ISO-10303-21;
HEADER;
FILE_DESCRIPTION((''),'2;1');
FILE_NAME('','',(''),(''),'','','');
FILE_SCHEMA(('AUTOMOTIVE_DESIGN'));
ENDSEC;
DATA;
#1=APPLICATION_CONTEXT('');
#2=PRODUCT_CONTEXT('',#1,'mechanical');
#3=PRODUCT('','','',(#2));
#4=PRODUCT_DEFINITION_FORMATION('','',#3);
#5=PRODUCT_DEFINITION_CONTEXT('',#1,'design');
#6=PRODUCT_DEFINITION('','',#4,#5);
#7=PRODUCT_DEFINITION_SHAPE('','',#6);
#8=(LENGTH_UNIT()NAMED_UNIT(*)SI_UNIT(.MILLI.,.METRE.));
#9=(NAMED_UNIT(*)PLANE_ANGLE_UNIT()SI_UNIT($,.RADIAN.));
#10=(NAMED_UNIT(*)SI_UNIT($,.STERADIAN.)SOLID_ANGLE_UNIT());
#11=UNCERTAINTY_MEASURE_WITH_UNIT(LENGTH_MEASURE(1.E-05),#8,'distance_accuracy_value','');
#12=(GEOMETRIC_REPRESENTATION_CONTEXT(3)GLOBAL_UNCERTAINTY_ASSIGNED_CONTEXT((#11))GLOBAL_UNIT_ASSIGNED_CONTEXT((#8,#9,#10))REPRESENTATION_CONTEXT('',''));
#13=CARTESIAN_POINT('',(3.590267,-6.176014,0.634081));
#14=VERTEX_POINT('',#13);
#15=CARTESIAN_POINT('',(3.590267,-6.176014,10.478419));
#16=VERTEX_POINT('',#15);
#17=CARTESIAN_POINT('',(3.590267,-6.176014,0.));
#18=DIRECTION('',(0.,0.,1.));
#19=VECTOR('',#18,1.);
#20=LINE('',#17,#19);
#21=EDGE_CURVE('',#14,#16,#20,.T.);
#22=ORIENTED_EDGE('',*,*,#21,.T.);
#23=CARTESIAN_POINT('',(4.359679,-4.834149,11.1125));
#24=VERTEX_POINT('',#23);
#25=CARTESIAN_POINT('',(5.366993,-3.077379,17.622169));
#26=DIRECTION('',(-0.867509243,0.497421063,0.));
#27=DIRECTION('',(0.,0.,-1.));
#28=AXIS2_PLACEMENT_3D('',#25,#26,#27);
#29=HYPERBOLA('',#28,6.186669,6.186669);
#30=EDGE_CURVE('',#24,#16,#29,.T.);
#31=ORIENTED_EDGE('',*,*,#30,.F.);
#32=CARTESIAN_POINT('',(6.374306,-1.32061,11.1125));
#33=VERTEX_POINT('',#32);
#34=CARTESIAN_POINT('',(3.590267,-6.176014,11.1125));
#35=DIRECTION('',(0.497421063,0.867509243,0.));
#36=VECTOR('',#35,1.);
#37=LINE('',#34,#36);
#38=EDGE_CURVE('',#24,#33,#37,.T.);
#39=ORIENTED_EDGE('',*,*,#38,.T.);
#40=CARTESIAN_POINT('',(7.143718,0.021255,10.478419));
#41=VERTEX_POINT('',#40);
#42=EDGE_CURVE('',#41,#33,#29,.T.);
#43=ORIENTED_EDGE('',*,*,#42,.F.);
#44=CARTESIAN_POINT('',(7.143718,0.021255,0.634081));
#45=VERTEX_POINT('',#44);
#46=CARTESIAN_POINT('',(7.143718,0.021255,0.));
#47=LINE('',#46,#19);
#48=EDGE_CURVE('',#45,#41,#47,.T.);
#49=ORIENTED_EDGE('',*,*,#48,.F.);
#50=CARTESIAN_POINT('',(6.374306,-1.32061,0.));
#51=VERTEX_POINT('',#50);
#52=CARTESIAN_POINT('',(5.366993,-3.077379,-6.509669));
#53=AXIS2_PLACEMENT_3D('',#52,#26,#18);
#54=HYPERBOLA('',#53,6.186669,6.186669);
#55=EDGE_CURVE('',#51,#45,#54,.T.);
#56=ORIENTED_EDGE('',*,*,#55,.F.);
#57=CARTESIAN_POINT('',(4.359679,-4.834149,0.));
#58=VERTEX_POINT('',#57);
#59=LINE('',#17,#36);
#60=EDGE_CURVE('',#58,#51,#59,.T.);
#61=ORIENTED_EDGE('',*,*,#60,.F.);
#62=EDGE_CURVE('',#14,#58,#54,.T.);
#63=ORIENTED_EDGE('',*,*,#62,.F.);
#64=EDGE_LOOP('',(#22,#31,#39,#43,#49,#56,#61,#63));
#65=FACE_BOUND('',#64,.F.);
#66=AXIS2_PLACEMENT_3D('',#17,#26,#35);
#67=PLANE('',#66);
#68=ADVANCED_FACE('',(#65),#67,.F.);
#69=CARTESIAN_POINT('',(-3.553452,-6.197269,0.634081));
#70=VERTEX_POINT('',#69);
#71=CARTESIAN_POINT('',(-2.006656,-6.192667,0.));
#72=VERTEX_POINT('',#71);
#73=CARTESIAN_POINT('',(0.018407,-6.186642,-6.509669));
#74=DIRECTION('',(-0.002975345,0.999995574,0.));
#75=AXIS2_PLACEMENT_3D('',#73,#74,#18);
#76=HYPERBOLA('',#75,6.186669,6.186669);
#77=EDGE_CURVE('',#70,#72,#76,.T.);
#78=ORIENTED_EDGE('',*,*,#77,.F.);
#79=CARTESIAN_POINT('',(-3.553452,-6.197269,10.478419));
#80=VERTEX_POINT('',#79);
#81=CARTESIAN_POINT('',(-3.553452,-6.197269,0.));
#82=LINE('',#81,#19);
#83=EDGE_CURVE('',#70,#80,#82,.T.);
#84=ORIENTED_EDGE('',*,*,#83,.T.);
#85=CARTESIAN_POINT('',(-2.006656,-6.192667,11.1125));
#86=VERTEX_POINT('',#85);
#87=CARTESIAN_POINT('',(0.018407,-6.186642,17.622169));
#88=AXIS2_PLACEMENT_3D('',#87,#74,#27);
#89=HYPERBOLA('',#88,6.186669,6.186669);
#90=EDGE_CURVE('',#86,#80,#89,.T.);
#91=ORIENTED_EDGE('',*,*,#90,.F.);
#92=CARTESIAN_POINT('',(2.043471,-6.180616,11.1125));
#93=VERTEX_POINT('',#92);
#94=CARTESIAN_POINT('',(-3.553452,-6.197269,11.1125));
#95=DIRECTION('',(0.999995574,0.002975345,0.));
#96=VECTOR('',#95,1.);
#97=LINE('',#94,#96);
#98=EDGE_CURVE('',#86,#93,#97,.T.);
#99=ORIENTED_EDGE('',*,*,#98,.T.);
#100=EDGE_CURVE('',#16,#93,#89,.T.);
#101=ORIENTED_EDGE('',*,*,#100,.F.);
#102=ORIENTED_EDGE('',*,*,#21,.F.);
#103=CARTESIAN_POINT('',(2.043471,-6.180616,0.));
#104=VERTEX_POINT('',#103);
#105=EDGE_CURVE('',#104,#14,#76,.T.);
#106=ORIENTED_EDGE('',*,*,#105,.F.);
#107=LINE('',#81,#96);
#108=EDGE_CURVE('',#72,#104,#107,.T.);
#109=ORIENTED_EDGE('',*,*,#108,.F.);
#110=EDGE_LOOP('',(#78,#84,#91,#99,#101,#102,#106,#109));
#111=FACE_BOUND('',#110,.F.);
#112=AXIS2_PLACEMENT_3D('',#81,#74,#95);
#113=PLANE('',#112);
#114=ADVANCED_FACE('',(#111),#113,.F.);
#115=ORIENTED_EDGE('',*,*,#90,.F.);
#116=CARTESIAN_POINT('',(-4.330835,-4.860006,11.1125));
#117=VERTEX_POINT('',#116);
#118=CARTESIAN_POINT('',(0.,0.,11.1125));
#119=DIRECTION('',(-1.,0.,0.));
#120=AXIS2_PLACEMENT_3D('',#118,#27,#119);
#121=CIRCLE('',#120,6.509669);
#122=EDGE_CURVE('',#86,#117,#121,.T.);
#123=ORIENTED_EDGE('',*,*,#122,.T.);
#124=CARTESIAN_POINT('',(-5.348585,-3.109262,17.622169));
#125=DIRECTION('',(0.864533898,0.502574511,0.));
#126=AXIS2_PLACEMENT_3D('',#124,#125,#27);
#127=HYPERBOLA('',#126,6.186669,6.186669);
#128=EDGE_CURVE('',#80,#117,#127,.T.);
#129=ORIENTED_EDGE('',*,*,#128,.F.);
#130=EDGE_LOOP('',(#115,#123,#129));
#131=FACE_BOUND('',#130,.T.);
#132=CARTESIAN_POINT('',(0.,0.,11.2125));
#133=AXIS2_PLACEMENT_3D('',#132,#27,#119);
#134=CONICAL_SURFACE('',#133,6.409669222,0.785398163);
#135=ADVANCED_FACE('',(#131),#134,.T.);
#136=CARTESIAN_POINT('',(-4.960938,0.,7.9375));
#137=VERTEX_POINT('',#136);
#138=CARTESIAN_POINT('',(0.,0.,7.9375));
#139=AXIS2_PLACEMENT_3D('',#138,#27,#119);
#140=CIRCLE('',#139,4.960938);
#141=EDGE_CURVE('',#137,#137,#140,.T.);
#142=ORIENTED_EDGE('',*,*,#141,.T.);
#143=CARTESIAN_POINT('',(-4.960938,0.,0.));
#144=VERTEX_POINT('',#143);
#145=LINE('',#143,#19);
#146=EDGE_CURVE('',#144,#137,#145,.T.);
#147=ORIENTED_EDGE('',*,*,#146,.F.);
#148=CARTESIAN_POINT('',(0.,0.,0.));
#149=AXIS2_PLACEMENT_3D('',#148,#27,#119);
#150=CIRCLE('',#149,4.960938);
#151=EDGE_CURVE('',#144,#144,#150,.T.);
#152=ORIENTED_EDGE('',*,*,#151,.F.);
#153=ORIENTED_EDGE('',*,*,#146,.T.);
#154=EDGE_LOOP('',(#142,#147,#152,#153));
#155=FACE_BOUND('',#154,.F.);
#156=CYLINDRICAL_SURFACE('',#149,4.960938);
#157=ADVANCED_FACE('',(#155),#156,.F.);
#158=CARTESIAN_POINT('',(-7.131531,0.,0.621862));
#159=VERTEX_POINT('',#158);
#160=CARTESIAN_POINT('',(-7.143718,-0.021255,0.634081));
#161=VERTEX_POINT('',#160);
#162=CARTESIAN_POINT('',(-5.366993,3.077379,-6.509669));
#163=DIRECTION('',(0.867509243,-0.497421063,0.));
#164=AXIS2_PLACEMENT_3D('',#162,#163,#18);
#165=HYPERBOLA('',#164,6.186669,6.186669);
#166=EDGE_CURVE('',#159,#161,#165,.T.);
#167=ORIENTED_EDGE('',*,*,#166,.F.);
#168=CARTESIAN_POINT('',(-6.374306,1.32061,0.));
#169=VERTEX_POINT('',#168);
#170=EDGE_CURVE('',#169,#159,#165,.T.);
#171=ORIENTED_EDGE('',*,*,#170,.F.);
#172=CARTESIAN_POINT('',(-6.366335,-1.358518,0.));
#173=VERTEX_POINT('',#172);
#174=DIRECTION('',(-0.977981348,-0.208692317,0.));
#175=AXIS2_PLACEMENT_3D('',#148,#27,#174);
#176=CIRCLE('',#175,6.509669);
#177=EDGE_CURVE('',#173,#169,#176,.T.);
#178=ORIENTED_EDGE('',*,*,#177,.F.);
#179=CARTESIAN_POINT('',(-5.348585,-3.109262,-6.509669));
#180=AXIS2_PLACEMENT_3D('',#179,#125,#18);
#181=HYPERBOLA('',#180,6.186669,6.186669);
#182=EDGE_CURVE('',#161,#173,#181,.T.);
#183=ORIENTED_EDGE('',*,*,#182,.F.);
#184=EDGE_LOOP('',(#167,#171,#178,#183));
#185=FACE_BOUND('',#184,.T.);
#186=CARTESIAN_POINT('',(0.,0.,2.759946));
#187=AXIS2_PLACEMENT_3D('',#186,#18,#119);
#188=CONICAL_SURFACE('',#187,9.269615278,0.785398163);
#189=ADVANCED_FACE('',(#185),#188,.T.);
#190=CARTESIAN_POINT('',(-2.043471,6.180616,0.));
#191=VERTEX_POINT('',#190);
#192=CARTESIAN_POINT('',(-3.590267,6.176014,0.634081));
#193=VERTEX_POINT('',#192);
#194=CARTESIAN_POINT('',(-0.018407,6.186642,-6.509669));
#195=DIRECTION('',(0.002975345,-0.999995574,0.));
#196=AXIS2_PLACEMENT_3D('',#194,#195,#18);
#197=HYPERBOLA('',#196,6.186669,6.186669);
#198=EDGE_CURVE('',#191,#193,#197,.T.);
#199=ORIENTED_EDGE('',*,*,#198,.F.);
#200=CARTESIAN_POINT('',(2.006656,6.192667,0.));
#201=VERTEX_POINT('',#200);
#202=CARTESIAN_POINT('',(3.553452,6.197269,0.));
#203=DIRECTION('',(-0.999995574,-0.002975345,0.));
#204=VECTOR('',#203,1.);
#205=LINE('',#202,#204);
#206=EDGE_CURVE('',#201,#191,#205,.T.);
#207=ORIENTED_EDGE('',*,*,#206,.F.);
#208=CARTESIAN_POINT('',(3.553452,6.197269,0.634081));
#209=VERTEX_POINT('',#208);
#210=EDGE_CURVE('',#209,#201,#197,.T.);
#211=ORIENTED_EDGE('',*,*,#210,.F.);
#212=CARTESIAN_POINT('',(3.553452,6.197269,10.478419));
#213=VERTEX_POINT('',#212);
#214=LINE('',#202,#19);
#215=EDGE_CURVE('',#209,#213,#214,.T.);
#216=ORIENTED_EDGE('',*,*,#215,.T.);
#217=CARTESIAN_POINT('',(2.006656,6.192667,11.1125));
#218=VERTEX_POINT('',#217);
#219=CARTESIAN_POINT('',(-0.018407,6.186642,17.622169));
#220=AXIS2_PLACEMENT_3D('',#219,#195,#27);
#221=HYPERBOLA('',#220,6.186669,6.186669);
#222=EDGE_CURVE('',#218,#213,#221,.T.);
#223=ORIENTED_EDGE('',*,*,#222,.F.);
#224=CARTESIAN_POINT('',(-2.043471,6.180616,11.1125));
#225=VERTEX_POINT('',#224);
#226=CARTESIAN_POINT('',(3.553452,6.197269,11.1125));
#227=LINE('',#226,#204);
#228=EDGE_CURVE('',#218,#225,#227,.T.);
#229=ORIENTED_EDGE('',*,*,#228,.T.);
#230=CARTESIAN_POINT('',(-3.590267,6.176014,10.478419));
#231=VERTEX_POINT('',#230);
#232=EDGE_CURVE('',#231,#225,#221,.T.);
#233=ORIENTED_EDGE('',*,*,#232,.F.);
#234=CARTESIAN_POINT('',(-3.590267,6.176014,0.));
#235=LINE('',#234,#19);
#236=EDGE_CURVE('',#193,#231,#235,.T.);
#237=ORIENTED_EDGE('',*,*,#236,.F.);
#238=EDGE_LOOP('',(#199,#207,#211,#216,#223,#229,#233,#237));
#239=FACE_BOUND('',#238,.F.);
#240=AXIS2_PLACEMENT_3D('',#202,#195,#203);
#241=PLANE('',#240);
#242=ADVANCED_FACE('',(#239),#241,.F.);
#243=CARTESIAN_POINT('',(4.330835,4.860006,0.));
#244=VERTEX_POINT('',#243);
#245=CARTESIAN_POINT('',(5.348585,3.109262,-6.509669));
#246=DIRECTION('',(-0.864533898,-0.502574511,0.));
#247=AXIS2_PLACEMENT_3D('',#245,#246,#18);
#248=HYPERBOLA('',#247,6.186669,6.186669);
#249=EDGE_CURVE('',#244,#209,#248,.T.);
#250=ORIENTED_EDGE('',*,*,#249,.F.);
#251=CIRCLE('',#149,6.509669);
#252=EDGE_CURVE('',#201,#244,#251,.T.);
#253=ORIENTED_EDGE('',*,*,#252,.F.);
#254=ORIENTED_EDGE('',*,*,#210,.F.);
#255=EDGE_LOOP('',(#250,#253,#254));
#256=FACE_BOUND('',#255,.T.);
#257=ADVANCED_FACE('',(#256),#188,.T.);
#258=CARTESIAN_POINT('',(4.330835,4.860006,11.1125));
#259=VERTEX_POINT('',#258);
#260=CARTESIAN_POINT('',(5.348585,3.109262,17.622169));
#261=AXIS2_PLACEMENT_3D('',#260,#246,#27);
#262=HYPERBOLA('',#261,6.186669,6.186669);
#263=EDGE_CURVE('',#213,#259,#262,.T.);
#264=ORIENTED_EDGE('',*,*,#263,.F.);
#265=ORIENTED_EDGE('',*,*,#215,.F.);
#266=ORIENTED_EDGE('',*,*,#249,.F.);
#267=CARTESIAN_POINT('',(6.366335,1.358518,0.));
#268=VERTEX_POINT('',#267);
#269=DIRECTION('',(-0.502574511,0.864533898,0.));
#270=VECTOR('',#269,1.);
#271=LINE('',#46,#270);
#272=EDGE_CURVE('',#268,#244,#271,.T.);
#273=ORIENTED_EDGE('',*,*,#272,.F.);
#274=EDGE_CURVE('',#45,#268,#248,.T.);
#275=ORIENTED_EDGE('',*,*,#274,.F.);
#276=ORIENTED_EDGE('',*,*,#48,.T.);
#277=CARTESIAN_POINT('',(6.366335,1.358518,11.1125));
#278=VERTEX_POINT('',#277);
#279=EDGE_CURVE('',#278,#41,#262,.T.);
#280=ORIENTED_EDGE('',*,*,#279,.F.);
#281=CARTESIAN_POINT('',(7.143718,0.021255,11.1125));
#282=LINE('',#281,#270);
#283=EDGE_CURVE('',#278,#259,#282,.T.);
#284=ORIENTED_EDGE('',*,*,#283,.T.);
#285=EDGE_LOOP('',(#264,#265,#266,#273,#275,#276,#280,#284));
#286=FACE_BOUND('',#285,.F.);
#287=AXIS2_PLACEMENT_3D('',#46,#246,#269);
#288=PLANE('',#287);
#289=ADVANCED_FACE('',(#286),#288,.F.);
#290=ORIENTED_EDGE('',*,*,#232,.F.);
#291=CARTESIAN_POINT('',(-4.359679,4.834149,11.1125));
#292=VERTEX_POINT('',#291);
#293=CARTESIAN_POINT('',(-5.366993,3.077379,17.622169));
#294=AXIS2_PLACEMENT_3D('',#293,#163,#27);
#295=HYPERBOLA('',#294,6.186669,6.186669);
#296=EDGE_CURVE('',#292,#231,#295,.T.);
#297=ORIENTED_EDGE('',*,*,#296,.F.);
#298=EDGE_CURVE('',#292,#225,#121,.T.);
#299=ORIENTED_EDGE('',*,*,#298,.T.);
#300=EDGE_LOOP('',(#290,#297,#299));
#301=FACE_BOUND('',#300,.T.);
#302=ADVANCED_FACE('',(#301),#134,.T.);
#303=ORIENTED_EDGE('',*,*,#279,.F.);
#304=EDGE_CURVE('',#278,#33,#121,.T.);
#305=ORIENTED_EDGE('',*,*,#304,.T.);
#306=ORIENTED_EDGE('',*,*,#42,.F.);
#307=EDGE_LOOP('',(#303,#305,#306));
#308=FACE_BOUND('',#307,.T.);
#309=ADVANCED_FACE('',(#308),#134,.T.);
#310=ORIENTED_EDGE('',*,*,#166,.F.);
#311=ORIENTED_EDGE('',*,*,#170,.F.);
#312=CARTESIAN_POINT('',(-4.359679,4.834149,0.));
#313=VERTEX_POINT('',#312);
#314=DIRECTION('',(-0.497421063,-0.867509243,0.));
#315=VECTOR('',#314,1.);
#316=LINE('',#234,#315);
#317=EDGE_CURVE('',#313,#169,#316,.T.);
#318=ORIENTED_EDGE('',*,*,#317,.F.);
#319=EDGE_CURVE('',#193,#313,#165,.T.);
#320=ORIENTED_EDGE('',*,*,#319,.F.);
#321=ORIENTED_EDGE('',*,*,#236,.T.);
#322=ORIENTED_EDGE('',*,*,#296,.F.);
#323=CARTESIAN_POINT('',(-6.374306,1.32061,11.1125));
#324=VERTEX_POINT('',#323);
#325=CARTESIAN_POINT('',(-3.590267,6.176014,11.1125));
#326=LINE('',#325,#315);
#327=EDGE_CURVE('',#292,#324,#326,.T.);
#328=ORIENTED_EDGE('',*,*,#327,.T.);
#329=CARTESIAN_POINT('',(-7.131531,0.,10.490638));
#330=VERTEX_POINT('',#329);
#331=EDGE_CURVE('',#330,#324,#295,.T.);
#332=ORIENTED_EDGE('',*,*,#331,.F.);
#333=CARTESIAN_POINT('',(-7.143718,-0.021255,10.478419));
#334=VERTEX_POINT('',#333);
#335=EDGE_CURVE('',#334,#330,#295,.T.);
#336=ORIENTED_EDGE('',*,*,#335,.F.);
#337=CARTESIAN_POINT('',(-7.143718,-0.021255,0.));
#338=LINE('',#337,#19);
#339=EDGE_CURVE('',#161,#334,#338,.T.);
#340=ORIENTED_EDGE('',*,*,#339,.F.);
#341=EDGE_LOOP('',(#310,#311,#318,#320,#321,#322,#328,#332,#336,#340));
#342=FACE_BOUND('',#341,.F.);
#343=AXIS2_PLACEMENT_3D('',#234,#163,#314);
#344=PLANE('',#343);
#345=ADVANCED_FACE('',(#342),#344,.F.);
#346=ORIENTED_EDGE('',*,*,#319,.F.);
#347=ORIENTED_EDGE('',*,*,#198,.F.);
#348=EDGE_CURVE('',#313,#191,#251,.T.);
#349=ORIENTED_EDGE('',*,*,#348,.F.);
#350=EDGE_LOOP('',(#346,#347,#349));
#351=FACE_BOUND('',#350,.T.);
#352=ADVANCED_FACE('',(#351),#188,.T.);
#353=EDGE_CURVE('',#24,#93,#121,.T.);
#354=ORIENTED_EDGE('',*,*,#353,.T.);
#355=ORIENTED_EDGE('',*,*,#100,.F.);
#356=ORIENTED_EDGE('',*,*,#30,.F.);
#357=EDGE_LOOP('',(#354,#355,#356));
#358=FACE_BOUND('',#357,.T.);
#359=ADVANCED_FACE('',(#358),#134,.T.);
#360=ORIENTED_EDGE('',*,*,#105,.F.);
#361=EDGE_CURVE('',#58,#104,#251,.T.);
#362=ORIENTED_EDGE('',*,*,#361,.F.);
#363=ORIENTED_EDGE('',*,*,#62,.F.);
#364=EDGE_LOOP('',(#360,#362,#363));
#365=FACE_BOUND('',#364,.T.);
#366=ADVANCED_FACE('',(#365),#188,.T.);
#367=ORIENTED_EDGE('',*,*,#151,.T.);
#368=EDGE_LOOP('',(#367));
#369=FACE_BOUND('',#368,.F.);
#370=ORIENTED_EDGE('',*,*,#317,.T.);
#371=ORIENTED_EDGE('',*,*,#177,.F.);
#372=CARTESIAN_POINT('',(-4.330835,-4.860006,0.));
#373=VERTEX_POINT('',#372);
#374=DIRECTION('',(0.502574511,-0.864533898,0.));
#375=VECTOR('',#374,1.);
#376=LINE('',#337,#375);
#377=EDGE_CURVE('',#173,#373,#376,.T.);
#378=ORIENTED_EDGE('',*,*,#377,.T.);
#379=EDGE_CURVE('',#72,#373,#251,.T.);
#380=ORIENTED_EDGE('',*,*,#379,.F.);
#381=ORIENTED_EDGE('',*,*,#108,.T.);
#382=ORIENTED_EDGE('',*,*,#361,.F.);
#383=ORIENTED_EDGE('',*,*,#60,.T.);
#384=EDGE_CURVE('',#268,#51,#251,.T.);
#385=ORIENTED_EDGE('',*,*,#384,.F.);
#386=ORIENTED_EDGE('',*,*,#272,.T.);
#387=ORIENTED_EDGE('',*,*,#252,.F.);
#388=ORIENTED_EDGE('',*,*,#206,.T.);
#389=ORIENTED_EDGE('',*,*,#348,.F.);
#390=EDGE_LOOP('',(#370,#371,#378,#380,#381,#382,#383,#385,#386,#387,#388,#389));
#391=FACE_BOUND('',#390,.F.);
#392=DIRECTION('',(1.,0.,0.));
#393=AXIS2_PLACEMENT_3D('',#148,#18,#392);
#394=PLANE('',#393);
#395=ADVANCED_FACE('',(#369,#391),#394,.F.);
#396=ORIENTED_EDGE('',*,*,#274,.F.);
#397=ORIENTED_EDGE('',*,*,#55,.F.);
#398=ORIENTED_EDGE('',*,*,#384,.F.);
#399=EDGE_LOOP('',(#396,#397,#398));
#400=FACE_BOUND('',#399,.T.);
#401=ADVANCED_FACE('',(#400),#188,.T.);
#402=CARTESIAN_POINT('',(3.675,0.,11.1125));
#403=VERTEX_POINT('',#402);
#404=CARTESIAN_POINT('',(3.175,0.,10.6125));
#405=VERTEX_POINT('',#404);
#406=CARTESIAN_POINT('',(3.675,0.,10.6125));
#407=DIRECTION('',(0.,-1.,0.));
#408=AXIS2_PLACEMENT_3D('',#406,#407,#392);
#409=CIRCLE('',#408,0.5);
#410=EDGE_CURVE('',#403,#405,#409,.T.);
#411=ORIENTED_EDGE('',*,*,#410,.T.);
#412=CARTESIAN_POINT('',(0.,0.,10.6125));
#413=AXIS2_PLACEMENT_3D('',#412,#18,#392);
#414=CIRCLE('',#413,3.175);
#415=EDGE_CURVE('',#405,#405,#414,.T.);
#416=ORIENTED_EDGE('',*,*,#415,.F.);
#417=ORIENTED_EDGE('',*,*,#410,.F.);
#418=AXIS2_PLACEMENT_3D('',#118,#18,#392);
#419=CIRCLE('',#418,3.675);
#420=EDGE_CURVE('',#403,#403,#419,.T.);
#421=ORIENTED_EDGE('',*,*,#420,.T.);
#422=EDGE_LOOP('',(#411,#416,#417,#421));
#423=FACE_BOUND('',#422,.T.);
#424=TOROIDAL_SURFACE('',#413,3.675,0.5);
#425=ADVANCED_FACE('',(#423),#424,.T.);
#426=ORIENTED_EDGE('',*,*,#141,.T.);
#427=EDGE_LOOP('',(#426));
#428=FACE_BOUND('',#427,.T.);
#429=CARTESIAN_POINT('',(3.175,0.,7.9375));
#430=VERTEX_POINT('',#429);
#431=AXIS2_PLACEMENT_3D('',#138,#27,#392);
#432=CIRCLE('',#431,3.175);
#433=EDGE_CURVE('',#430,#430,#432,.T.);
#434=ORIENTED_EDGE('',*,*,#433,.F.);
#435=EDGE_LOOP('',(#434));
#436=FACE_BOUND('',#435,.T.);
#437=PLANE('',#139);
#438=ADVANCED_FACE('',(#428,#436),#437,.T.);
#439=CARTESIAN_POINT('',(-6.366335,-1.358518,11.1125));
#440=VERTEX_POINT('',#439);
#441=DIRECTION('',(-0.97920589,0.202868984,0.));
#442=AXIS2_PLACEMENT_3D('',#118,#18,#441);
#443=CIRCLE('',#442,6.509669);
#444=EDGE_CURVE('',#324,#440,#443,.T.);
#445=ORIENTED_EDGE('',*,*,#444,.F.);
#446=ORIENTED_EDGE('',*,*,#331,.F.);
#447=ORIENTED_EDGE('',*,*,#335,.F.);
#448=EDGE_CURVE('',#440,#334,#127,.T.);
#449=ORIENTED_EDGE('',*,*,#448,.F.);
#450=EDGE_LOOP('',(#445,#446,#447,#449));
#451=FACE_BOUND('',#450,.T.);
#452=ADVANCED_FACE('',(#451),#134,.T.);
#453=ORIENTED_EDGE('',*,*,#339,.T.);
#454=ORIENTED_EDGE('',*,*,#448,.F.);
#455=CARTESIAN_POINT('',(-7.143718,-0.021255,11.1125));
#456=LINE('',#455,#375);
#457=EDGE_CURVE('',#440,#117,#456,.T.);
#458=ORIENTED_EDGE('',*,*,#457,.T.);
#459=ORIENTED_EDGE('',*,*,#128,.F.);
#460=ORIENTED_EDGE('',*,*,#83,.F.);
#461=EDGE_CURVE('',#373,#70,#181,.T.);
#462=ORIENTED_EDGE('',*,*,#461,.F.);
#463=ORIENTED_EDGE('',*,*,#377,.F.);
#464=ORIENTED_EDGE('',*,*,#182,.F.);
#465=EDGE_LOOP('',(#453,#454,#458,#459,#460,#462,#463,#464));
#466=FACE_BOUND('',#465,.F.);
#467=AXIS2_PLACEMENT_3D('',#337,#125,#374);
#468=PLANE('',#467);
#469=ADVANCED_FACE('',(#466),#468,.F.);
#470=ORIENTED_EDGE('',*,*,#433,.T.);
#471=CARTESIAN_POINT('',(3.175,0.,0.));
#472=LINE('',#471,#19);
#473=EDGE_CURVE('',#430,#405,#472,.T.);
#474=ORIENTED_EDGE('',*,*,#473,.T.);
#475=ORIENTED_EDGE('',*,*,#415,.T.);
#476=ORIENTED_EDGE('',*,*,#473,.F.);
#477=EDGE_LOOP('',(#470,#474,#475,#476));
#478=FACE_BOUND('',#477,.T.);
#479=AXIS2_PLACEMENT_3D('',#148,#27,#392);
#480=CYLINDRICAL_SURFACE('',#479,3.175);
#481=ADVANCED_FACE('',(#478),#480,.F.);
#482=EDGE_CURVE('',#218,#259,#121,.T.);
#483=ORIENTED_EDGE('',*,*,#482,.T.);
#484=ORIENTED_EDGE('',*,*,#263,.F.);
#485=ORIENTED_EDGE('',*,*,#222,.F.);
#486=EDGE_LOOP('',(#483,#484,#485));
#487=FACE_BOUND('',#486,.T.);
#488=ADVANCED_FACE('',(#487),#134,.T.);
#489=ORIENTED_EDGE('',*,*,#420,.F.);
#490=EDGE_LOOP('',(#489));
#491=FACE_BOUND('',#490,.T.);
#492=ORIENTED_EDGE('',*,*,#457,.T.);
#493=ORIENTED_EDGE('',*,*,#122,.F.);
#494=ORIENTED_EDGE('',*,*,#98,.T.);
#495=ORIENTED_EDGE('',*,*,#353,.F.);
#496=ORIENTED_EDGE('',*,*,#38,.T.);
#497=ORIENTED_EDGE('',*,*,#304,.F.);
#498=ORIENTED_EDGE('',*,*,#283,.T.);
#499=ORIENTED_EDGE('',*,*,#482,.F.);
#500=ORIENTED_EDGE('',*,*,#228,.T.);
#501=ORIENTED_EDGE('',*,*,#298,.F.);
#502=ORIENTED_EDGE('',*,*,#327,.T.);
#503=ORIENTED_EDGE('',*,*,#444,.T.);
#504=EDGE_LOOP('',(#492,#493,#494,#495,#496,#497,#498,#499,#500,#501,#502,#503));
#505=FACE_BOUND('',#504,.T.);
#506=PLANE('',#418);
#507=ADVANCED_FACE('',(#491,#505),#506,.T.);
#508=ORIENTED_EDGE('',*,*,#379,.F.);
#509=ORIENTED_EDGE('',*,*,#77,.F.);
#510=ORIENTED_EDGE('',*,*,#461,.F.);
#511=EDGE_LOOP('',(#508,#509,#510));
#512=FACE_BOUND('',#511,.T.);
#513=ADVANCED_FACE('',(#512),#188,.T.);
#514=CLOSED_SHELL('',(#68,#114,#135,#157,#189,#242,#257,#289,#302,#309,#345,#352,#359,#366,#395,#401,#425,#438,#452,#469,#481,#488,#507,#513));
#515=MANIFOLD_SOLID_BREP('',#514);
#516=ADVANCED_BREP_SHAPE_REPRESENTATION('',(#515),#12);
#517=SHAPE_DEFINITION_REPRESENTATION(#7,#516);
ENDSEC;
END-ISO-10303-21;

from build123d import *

# Parameters (mm, degrees)
ESBO_O1_R                = 3.175
RESSALTO_EXTRUS_O1_DEPTH = 11.1125
ESBO_O2_R                = 4.9609375
CORTE_EXTRUS_O1_DEPTH    = 7.9375
FILETE1_R                = 0.5


with BuildPart() as part:
    # Esboço1 → Ressalto-extrusão1 (new body)
    with BuildSketch(Plane.XY):
        Polygon((3.553451716, 6.197269154), (-3.590266663, 6.176014034), (-7.143718379, -0.021255119), (-3.553451716, -6.197269154), (3.590266663, -6.176014034), (7.143718379, 0.021255119), align=None)
        Circle(ESBO_O1_R, mode=Mode.SUBTRACT)
    extrude(amount=RESSALTO_EXTRUS_O1_DEPTH)

    # Esboço2 → Corte-extrusão1 (cut)
    with BuildSketch(Plane(origin=(0, 0, 0), x_dir=(-1, 0, 0), z_dir=(0, 0, -1))):
        Circle(ESBO_O2_R)
    extrude(amount=-CORTE_EXTRUS_O1_DEPTH, mode=Mode.SUBTRACT)

    # Filete1
    filete1_edges = [part.edges().sort_by_distance(p)[0] for p in [
        (-3.175, 0, 11.1125),
    ]]
    fillet(filete1_edges, radius=FILETE1_R)

    # Esboço4 → Corte-Revolução4 (revolve, cut)
    with BuildSketch(Plane(origin=(0, 0, 0), x_dir=(1, 0, 0), z_dir=(0, 1, 0)), mode=Mode.PRIVATE) as corte_revolu_o4_sk:
        Polygon((6.409669222, -16.266104521), (6.409669222, -11.2125), (9.269615278, -8.352553944), (9.269615278, -16.266104521), align=None)
        Polygon((6.409669222, 5.153604521), (9.269615278, 5.153604521), (9.269615278, -2.759946056), (6.409669222, 0.1), align=None)
    revolve(corte_revolu_o4_sk.sketch.rotate(Axis((0, 0, 23.395635865), (0, 0, -1)), 180), axis=Axis((0, 0, 23.395635865), (0, 0, -1)), mode=Mode.SUBTRACT)


solid = part.part
